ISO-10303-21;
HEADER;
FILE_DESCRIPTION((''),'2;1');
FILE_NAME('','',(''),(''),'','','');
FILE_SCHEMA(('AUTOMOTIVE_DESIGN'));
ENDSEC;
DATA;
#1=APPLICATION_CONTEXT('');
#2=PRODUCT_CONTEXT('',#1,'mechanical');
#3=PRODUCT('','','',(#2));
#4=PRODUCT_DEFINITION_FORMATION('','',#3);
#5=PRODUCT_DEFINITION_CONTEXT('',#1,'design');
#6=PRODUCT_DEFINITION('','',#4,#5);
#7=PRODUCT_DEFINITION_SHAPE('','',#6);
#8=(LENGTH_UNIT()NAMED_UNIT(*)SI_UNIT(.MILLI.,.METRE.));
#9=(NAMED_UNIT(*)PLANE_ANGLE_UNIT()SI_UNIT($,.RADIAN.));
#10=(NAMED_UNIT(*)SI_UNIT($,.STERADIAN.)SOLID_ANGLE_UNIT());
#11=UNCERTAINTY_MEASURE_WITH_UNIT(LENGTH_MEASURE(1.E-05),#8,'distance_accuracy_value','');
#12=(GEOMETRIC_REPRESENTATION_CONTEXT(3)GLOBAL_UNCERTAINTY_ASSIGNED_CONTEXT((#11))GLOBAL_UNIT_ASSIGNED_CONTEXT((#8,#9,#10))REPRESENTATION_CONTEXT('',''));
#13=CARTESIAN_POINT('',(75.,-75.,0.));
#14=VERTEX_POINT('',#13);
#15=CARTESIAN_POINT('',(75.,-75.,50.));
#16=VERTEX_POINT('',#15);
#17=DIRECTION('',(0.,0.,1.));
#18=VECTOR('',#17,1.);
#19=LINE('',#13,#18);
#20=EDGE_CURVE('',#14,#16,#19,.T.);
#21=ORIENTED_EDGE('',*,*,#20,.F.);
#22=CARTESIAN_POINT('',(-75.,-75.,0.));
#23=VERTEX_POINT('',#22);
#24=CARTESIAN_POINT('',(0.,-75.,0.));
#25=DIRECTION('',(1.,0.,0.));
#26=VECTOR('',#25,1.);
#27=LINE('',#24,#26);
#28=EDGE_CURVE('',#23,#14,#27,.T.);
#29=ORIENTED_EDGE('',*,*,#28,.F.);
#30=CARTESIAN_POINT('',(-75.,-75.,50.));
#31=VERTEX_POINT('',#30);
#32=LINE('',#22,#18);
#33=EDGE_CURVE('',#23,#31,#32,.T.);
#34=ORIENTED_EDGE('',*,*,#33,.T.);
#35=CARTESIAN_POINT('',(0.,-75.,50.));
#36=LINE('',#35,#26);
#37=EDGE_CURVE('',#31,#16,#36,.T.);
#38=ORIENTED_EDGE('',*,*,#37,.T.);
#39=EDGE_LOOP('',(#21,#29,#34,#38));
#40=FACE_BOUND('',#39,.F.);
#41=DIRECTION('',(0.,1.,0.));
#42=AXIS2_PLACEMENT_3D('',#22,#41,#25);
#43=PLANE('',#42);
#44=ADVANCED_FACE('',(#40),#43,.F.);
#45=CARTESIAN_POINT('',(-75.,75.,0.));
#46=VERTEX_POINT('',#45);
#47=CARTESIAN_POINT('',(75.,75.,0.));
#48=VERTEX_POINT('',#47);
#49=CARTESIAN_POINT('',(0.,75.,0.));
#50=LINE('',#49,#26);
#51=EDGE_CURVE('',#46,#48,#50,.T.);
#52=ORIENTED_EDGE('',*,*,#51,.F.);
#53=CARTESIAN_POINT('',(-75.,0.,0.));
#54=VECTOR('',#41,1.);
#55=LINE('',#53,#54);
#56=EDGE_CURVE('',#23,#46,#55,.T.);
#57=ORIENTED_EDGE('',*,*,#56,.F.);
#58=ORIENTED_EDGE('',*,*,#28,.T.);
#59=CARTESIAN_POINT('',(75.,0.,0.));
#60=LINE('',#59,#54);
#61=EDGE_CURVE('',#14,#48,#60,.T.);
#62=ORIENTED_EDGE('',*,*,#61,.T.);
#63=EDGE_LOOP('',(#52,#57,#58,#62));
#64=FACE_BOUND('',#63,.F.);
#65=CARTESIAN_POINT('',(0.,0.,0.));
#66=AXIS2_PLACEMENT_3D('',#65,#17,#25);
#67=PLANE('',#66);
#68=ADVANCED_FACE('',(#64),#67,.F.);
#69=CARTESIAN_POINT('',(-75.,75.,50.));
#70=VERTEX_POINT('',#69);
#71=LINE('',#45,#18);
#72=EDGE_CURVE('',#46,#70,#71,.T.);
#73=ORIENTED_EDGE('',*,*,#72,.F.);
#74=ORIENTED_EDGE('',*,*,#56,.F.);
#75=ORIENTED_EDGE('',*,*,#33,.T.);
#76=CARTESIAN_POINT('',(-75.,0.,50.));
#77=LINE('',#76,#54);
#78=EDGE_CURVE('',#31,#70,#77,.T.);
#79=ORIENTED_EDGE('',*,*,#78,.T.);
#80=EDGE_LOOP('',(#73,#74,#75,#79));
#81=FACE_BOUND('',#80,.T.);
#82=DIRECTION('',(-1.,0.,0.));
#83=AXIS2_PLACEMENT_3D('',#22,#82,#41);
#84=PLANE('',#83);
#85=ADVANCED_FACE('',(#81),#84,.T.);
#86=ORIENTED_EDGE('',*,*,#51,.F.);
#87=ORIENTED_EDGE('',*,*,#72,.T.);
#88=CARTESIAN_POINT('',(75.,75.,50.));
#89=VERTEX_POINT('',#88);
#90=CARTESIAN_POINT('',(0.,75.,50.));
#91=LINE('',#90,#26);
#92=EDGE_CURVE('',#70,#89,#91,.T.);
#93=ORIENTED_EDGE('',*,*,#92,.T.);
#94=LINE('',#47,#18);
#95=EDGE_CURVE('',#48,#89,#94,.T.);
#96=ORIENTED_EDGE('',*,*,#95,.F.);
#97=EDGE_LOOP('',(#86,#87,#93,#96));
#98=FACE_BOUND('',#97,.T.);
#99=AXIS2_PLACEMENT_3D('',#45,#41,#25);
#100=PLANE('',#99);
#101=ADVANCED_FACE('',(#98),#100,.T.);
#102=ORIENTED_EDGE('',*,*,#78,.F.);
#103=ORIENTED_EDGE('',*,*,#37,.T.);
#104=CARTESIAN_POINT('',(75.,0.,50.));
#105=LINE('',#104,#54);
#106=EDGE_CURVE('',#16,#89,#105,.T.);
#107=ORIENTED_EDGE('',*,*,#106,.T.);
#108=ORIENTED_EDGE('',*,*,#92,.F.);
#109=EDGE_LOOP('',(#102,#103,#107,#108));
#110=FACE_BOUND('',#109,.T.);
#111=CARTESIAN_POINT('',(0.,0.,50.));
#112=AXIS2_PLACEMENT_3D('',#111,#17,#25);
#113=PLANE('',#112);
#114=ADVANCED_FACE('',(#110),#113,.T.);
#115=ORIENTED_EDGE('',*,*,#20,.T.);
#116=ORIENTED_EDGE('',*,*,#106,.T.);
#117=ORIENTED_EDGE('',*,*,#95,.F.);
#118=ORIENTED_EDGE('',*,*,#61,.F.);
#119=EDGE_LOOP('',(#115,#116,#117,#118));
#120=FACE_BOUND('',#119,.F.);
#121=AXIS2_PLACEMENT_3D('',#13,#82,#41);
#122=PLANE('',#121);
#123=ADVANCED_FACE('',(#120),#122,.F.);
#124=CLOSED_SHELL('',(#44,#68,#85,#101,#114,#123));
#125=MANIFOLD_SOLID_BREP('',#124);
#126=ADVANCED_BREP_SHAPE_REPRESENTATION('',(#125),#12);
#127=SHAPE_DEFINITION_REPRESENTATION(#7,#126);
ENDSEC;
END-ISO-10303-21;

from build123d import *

# Parameters (mm, degrees)
SKETCH_W      = 150
SKETCH_H      = 150
EXTRUDE_DEPTH = 50


with BuildPart() as part:
    # Sketch → Extrude (new body)
    with BuildSketch(Plane.XY):
        Rectangle(SKETCH_W, SKETCH_H)
    extrude(amount=EXTRUDE_DEPTH)


solid = part.part
